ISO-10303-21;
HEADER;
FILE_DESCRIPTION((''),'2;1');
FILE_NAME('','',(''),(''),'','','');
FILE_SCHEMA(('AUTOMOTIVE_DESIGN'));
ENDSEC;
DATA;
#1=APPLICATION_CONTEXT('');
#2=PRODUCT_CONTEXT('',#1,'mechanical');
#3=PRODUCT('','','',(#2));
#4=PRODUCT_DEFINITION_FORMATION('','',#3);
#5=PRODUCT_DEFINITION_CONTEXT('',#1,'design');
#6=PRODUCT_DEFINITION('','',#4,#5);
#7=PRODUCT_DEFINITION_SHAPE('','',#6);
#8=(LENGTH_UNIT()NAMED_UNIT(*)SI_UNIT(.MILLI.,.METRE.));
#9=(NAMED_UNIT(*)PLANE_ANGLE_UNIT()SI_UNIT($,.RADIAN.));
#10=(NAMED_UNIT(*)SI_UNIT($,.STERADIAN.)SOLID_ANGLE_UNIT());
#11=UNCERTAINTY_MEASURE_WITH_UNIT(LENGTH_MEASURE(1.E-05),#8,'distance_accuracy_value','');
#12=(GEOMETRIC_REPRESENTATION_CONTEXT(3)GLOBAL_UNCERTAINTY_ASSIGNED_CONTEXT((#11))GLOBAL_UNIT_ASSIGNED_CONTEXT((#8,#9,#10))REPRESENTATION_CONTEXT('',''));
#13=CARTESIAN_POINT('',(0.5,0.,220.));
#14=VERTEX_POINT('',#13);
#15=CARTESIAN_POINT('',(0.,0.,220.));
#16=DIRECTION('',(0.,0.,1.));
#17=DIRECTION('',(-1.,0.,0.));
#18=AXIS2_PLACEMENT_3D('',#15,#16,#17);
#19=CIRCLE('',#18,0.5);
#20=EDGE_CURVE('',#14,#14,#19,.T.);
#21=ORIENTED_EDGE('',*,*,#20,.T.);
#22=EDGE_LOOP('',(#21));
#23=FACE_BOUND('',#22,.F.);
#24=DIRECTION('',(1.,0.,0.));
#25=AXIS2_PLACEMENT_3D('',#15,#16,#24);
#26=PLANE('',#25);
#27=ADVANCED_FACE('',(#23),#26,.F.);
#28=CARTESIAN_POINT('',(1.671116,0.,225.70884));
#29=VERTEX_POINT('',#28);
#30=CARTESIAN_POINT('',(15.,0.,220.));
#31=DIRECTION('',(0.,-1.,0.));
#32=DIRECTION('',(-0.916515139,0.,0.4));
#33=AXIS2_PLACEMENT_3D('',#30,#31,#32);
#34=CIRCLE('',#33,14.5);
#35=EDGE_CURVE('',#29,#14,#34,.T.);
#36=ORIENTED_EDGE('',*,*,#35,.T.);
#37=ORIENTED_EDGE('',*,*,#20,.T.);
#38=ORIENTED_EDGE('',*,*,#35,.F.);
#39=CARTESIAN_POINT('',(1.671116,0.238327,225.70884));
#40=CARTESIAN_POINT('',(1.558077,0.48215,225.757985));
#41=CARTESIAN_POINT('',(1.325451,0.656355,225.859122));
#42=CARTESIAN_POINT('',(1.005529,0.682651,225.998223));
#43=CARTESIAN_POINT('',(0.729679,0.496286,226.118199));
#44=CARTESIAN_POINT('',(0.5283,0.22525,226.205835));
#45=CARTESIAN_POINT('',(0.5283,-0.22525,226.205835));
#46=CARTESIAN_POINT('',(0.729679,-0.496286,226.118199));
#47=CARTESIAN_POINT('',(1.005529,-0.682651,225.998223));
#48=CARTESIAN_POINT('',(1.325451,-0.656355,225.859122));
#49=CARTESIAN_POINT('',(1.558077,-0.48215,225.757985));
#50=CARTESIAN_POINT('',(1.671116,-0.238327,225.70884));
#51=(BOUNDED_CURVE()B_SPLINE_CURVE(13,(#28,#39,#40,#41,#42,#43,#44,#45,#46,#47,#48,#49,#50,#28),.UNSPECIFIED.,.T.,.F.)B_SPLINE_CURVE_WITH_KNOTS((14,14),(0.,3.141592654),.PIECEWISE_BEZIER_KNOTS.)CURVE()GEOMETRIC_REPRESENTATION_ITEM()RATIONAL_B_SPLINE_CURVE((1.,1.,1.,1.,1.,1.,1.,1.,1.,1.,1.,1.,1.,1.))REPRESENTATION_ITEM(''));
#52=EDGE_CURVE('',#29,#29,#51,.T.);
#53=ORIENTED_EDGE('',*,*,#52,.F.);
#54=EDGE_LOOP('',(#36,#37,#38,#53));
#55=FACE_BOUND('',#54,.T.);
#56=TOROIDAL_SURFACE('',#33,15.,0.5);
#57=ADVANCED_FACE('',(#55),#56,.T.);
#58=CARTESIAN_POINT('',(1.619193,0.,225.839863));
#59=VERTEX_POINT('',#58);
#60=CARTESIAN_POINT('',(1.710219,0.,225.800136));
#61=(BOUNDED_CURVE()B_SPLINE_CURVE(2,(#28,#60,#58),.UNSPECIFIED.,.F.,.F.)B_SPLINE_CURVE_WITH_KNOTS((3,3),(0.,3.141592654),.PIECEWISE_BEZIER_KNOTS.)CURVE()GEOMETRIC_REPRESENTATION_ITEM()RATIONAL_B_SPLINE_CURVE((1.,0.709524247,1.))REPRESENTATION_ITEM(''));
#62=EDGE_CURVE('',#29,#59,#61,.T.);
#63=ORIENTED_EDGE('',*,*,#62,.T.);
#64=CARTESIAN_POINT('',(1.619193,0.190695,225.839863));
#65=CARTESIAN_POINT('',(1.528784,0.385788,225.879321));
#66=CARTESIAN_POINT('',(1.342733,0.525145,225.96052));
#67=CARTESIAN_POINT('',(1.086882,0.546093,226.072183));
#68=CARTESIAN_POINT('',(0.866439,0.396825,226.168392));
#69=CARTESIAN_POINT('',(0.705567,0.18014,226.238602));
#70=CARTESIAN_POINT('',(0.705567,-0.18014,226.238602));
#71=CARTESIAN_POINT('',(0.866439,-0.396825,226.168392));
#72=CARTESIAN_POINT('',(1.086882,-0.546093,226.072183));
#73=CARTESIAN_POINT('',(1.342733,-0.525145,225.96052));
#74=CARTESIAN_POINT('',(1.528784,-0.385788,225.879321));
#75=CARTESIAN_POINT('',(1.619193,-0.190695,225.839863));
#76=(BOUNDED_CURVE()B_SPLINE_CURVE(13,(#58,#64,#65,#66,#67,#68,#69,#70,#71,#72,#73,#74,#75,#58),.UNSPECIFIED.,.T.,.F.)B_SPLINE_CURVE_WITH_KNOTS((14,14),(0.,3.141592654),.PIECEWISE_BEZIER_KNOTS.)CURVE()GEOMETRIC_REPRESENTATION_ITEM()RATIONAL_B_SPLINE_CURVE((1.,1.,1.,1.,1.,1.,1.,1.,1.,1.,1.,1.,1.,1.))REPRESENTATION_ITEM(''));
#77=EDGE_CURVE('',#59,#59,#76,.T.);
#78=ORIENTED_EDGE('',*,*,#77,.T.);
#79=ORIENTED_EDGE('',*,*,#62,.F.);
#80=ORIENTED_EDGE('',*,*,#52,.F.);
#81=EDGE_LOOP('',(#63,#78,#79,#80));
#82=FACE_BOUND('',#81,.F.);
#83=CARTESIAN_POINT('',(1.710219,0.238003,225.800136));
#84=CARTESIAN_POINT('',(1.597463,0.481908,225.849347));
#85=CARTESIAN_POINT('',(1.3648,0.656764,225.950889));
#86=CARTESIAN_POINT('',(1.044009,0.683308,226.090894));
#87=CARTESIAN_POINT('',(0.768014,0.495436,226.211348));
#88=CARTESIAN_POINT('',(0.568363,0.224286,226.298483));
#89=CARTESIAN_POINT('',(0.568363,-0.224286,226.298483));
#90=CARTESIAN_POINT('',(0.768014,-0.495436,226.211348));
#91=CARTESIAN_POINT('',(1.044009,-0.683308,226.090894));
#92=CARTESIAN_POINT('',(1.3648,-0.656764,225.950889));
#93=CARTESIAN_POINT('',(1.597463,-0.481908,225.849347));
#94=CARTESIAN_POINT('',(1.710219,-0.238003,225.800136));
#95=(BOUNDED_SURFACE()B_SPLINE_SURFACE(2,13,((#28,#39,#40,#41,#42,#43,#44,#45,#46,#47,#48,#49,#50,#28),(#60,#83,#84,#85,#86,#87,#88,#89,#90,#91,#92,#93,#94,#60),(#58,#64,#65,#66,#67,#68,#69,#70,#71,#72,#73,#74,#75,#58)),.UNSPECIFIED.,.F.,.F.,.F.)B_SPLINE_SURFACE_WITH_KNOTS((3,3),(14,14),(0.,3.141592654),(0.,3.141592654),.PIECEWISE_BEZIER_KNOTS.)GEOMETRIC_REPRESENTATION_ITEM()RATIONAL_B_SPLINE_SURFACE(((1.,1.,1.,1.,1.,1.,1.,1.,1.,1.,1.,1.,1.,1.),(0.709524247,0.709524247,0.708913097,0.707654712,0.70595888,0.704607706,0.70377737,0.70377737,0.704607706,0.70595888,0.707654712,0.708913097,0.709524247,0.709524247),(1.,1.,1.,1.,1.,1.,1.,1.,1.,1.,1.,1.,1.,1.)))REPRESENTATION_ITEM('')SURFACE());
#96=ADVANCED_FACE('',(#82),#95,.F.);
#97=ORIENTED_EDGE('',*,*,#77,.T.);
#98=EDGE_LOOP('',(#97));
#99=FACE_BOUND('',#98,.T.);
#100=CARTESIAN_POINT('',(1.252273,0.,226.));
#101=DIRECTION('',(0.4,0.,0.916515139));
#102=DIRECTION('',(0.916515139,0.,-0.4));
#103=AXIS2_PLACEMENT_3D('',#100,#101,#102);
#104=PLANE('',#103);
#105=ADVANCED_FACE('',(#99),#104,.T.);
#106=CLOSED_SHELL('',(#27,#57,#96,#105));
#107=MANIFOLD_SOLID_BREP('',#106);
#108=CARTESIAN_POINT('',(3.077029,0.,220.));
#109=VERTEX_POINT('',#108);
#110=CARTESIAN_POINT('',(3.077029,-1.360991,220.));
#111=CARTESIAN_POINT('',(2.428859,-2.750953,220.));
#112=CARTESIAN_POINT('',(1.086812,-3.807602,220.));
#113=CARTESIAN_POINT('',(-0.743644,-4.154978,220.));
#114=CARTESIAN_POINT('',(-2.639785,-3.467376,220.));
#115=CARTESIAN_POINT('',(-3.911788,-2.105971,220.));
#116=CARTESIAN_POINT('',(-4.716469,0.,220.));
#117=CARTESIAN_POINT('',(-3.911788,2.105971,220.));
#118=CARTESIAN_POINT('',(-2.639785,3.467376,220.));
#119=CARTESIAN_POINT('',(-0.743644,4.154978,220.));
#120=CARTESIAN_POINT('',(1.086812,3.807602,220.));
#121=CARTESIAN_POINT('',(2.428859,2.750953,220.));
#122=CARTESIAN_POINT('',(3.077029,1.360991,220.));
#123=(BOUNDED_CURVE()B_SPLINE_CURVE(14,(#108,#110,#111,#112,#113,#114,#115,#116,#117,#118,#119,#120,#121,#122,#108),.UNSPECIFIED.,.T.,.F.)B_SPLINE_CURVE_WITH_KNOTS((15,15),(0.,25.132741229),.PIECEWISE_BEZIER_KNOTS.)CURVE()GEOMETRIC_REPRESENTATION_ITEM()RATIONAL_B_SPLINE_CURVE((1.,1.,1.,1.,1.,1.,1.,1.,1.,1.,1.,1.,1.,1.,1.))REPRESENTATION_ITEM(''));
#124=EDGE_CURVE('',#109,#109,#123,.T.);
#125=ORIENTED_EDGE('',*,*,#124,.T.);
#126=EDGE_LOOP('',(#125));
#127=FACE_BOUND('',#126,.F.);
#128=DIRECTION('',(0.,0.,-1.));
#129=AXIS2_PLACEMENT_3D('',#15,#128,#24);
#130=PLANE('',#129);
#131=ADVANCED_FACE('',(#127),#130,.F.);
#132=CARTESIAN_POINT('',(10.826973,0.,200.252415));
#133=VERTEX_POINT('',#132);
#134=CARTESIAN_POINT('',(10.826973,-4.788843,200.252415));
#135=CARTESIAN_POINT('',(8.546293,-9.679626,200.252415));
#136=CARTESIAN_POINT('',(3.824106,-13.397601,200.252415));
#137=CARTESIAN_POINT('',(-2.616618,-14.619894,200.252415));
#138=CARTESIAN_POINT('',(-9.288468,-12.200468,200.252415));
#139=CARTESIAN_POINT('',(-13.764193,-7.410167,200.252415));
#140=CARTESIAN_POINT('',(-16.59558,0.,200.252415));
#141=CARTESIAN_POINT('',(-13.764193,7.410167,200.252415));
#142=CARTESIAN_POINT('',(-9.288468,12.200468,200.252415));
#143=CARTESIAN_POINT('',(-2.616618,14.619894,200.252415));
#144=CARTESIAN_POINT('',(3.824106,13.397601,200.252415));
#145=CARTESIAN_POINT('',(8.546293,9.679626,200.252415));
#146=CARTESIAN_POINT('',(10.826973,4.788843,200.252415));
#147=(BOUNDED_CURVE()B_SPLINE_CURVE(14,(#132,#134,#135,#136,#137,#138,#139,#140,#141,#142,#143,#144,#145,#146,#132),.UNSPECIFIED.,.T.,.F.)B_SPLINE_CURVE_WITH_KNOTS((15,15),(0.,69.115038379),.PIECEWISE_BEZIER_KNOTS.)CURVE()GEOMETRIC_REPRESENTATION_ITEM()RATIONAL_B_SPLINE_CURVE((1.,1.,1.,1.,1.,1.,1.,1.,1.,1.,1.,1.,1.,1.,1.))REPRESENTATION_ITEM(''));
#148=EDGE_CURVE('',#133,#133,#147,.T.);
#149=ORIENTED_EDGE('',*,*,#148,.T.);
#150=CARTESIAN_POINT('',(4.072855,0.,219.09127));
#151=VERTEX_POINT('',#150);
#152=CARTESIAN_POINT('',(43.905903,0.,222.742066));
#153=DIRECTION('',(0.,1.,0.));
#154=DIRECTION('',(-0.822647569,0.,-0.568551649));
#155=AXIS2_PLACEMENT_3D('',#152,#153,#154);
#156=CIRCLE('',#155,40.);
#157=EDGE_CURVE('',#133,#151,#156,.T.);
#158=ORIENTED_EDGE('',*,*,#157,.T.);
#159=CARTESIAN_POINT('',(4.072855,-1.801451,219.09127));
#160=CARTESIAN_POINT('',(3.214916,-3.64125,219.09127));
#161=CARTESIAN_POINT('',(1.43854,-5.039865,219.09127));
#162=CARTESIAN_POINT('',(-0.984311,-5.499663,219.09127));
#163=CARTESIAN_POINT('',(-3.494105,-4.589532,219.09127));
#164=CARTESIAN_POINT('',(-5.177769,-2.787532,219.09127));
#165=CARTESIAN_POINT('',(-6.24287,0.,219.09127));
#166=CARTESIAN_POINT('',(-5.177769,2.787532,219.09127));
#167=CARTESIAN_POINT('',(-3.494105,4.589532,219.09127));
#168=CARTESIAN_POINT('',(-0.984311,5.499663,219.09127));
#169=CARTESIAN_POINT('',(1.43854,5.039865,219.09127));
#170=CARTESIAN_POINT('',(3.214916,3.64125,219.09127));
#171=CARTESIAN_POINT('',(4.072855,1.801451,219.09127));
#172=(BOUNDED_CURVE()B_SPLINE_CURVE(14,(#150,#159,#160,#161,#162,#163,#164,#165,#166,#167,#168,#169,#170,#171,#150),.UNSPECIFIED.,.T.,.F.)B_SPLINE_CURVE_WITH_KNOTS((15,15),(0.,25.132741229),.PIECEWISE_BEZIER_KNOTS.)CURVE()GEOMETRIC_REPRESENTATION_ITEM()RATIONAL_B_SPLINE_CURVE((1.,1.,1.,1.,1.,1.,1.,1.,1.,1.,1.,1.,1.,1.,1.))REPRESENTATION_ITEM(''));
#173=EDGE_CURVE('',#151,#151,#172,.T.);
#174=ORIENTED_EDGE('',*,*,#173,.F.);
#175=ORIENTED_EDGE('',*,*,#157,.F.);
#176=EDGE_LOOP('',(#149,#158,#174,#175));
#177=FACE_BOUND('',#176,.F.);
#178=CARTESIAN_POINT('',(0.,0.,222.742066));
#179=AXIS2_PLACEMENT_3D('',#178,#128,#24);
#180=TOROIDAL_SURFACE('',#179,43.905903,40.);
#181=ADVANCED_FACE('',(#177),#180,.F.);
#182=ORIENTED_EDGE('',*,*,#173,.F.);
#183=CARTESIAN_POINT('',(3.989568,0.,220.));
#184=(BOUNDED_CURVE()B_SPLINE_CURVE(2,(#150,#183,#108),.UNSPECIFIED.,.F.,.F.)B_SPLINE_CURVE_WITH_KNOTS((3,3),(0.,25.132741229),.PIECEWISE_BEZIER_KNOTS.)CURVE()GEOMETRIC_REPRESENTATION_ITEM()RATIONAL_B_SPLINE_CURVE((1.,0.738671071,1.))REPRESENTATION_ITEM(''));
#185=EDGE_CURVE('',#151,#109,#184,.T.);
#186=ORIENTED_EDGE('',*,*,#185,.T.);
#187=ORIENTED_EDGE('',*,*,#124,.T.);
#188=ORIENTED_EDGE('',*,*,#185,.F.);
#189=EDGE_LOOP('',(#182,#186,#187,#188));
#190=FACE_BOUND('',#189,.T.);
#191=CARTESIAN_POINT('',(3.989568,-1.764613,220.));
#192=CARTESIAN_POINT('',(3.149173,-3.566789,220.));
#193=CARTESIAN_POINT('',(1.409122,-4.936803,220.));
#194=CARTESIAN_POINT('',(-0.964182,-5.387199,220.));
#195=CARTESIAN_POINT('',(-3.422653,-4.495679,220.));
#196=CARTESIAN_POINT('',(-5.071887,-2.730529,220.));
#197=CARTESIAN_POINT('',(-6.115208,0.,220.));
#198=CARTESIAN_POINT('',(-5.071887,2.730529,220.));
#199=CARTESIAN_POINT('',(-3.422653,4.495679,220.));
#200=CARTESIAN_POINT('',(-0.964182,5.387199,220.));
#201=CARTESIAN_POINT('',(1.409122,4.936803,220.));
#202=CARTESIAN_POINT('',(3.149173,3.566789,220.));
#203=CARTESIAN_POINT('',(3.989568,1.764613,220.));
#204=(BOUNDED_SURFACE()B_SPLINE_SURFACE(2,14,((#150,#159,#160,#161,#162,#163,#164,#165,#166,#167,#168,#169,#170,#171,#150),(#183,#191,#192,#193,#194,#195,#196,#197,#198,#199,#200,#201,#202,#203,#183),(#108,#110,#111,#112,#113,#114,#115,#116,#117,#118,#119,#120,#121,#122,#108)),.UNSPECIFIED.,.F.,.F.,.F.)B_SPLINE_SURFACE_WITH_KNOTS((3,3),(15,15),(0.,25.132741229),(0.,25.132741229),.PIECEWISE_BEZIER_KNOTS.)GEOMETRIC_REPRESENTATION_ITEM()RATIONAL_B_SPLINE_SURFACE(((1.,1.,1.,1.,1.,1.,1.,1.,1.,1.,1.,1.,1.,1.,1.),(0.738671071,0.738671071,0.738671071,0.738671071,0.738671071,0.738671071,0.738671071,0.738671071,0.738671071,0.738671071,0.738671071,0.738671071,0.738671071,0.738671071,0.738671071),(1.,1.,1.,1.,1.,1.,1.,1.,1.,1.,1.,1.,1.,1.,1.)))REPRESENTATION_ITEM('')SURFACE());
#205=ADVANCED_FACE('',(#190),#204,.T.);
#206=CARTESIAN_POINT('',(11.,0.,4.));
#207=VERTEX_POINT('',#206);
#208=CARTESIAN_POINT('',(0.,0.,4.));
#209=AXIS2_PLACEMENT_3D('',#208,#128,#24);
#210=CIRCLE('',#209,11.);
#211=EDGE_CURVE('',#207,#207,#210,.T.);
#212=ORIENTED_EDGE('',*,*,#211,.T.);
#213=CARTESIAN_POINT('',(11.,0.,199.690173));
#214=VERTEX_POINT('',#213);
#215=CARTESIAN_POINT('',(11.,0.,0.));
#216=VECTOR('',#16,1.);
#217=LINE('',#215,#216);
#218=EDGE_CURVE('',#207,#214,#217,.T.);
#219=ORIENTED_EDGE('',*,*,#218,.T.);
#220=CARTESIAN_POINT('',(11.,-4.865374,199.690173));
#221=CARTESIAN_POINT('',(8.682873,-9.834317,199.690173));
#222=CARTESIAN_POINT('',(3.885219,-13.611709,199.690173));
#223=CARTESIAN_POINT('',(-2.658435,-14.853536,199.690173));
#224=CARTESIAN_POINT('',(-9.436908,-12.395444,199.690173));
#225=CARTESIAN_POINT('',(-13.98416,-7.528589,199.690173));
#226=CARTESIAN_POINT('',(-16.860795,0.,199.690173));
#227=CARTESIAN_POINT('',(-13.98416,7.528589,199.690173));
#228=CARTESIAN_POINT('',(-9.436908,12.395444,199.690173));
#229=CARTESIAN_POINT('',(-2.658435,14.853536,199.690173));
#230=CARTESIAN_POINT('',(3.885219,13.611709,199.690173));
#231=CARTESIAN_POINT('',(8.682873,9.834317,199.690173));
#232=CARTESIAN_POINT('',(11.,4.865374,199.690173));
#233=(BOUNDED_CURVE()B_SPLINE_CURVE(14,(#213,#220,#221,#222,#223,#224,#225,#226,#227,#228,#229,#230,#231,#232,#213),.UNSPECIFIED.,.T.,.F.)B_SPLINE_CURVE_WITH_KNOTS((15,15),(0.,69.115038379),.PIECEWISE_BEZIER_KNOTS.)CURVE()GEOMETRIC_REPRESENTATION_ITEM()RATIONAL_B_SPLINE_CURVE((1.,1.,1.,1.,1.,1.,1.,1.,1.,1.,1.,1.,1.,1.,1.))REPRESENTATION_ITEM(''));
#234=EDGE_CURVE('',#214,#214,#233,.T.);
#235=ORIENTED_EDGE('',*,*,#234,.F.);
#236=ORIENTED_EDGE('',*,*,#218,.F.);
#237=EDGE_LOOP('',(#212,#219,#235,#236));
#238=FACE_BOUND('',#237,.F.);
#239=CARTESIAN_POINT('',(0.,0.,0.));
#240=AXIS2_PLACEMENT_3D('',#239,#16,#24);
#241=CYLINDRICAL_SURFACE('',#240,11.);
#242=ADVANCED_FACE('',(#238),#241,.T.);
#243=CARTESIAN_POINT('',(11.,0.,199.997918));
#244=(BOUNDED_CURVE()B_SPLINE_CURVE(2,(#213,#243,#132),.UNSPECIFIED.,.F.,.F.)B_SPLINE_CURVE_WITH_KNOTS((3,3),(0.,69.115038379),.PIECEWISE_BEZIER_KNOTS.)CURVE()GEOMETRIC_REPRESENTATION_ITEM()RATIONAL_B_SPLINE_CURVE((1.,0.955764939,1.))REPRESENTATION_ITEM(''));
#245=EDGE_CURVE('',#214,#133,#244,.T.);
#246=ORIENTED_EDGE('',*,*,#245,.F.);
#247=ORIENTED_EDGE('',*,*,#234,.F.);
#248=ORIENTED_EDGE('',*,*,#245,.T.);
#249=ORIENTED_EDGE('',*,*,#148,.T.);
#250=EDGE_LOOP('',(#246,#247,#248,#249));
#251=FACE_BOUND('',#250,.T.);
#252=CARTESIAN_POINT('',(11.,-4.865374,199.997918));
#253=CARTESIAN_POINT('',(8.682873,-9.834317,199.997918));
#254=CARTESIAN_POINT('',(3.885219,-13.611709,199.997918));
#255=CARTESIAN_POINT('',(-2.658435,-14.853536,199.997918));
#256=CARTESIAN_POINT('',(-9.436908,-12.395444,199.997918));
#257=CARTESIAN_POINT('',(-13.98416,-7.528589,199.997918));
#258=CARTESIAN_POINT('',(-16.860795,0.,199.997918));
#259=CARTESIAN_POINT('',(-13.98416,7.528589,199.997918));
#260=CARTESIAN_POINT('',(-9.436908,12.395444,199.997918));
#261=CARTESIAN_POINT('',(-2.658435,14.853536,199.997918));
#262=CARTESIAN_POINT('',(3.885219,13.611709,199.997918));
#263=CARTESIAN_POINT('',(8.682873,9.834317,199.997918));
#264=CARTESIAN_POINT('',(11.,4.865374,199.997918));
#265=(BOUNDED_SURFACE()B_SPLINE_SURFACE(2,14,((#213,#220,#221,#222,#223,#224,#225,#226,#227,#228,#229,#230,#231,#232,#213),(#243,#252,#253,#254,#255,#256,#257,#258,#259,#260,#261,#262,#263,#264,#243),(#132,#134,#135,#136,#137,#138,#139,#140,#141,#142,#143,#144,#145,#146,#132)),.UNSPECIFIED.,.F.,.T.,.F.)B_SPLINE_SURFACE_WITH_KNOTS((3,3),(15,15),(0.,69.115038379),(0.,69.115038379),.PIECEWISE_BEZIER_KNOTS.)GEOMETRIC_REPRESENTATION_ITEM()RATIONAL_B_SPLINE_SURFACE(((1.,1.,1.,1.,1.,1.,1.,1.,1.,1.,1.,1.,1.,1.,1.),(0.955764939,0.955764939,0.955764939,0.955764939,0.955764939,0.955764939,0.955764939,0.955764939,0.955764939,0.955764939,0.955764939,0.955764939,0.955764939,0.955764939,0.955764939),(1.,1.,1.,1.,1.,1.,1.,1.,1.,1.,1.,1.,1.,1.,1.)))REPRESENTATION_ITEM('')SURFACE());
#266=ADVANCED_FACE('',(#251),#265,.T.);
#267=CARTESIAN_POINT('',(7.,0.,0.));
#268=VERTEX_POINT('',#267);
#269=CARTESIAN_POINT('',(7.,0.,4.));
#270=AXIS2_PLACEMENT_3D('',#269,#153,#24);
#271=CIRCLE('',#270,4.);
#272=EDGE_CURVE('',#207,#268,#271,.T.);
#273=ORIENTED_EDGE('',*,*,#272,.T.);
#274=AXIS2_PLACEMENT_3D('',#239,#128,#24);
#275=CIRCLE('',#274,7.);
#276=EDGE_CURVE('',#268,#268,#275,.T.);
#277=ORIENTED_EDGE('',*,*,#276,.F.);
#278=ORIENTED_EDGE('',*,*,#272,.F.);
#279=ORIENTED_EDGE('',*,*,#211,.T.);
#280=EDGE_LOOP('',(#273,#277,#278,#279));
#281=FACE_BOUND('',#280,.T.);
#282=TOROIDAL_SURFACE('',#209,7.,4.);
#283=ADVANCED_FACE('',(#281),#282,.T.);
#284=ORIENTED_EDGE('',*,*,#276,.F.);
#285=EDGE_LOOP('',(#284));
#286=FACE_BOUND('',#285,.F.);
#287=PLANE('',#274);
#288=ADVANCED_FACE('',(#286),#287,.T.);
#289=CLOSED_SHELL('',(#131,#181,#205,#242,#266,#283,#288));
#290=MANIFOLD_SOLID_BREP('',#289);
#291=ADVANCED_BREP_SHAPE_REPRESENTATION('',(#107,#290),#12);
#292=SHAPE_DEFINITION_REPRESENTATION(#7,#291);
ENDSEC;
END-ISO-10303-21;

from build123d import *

# Parameters (mm, degrees)
F3_R = 0.5
F5_R = 1
F6_R = 0.1
F7_R = 4


with BuildPart() as f1:
    # F0 (on Front) → F1 (revolve)
    with BuildSketch(Plane.XZ):
        with BuildLine():
            Line((0, 220), (0, 0))
            Line((0, 0), (11, 0))
            Line((11, 0), (11, 200))
            ThreePointArc((11, 200), (6.1515684949, 209.5280489732), (4, 220))
            Line((4, 220), (0, 220))
        make_face()
    revolve(axis=Axis((0, 0, 110), (0, 0, -1)))

    # F5
    f5_edges = [f1.edges().sort_by_distance(p)[0] for p in [
        (-4, 0, 220),
        (-11, 0, 200),
    ]]
    fillet(f5_edges, radius=F5_R)

    # F7
    f7_edges = [f1.edges().sort_by_distance(p)[0] for p in [
        (-11, 0, 0),
    ]]
    fillet(f7_edges, radius=F7_R)


with BuildPart() as f4:
    # F4: sweep along a path in F2
    with BuildLine(Plane.XZ) as f4_path:
        ThreePointArc((1.2522729151, 226), (0.316405306, 223.0646446553), (0, 220))
    # F3 (on face) → F4 (sweep)
    with BuildSketch(Plane.XY.offset(220)):
        Circle(F3_R)
    sweep(path=f4_path.line)

    # F6
    f6_edges = [f4.edges().sort_by_distance(p)[0] for p in [
        (0.794015, 0, 226.2),
    ]]
    fillet(f6_edges, radius=F6_R)


solid = Compound([f1.part, f4.part])
